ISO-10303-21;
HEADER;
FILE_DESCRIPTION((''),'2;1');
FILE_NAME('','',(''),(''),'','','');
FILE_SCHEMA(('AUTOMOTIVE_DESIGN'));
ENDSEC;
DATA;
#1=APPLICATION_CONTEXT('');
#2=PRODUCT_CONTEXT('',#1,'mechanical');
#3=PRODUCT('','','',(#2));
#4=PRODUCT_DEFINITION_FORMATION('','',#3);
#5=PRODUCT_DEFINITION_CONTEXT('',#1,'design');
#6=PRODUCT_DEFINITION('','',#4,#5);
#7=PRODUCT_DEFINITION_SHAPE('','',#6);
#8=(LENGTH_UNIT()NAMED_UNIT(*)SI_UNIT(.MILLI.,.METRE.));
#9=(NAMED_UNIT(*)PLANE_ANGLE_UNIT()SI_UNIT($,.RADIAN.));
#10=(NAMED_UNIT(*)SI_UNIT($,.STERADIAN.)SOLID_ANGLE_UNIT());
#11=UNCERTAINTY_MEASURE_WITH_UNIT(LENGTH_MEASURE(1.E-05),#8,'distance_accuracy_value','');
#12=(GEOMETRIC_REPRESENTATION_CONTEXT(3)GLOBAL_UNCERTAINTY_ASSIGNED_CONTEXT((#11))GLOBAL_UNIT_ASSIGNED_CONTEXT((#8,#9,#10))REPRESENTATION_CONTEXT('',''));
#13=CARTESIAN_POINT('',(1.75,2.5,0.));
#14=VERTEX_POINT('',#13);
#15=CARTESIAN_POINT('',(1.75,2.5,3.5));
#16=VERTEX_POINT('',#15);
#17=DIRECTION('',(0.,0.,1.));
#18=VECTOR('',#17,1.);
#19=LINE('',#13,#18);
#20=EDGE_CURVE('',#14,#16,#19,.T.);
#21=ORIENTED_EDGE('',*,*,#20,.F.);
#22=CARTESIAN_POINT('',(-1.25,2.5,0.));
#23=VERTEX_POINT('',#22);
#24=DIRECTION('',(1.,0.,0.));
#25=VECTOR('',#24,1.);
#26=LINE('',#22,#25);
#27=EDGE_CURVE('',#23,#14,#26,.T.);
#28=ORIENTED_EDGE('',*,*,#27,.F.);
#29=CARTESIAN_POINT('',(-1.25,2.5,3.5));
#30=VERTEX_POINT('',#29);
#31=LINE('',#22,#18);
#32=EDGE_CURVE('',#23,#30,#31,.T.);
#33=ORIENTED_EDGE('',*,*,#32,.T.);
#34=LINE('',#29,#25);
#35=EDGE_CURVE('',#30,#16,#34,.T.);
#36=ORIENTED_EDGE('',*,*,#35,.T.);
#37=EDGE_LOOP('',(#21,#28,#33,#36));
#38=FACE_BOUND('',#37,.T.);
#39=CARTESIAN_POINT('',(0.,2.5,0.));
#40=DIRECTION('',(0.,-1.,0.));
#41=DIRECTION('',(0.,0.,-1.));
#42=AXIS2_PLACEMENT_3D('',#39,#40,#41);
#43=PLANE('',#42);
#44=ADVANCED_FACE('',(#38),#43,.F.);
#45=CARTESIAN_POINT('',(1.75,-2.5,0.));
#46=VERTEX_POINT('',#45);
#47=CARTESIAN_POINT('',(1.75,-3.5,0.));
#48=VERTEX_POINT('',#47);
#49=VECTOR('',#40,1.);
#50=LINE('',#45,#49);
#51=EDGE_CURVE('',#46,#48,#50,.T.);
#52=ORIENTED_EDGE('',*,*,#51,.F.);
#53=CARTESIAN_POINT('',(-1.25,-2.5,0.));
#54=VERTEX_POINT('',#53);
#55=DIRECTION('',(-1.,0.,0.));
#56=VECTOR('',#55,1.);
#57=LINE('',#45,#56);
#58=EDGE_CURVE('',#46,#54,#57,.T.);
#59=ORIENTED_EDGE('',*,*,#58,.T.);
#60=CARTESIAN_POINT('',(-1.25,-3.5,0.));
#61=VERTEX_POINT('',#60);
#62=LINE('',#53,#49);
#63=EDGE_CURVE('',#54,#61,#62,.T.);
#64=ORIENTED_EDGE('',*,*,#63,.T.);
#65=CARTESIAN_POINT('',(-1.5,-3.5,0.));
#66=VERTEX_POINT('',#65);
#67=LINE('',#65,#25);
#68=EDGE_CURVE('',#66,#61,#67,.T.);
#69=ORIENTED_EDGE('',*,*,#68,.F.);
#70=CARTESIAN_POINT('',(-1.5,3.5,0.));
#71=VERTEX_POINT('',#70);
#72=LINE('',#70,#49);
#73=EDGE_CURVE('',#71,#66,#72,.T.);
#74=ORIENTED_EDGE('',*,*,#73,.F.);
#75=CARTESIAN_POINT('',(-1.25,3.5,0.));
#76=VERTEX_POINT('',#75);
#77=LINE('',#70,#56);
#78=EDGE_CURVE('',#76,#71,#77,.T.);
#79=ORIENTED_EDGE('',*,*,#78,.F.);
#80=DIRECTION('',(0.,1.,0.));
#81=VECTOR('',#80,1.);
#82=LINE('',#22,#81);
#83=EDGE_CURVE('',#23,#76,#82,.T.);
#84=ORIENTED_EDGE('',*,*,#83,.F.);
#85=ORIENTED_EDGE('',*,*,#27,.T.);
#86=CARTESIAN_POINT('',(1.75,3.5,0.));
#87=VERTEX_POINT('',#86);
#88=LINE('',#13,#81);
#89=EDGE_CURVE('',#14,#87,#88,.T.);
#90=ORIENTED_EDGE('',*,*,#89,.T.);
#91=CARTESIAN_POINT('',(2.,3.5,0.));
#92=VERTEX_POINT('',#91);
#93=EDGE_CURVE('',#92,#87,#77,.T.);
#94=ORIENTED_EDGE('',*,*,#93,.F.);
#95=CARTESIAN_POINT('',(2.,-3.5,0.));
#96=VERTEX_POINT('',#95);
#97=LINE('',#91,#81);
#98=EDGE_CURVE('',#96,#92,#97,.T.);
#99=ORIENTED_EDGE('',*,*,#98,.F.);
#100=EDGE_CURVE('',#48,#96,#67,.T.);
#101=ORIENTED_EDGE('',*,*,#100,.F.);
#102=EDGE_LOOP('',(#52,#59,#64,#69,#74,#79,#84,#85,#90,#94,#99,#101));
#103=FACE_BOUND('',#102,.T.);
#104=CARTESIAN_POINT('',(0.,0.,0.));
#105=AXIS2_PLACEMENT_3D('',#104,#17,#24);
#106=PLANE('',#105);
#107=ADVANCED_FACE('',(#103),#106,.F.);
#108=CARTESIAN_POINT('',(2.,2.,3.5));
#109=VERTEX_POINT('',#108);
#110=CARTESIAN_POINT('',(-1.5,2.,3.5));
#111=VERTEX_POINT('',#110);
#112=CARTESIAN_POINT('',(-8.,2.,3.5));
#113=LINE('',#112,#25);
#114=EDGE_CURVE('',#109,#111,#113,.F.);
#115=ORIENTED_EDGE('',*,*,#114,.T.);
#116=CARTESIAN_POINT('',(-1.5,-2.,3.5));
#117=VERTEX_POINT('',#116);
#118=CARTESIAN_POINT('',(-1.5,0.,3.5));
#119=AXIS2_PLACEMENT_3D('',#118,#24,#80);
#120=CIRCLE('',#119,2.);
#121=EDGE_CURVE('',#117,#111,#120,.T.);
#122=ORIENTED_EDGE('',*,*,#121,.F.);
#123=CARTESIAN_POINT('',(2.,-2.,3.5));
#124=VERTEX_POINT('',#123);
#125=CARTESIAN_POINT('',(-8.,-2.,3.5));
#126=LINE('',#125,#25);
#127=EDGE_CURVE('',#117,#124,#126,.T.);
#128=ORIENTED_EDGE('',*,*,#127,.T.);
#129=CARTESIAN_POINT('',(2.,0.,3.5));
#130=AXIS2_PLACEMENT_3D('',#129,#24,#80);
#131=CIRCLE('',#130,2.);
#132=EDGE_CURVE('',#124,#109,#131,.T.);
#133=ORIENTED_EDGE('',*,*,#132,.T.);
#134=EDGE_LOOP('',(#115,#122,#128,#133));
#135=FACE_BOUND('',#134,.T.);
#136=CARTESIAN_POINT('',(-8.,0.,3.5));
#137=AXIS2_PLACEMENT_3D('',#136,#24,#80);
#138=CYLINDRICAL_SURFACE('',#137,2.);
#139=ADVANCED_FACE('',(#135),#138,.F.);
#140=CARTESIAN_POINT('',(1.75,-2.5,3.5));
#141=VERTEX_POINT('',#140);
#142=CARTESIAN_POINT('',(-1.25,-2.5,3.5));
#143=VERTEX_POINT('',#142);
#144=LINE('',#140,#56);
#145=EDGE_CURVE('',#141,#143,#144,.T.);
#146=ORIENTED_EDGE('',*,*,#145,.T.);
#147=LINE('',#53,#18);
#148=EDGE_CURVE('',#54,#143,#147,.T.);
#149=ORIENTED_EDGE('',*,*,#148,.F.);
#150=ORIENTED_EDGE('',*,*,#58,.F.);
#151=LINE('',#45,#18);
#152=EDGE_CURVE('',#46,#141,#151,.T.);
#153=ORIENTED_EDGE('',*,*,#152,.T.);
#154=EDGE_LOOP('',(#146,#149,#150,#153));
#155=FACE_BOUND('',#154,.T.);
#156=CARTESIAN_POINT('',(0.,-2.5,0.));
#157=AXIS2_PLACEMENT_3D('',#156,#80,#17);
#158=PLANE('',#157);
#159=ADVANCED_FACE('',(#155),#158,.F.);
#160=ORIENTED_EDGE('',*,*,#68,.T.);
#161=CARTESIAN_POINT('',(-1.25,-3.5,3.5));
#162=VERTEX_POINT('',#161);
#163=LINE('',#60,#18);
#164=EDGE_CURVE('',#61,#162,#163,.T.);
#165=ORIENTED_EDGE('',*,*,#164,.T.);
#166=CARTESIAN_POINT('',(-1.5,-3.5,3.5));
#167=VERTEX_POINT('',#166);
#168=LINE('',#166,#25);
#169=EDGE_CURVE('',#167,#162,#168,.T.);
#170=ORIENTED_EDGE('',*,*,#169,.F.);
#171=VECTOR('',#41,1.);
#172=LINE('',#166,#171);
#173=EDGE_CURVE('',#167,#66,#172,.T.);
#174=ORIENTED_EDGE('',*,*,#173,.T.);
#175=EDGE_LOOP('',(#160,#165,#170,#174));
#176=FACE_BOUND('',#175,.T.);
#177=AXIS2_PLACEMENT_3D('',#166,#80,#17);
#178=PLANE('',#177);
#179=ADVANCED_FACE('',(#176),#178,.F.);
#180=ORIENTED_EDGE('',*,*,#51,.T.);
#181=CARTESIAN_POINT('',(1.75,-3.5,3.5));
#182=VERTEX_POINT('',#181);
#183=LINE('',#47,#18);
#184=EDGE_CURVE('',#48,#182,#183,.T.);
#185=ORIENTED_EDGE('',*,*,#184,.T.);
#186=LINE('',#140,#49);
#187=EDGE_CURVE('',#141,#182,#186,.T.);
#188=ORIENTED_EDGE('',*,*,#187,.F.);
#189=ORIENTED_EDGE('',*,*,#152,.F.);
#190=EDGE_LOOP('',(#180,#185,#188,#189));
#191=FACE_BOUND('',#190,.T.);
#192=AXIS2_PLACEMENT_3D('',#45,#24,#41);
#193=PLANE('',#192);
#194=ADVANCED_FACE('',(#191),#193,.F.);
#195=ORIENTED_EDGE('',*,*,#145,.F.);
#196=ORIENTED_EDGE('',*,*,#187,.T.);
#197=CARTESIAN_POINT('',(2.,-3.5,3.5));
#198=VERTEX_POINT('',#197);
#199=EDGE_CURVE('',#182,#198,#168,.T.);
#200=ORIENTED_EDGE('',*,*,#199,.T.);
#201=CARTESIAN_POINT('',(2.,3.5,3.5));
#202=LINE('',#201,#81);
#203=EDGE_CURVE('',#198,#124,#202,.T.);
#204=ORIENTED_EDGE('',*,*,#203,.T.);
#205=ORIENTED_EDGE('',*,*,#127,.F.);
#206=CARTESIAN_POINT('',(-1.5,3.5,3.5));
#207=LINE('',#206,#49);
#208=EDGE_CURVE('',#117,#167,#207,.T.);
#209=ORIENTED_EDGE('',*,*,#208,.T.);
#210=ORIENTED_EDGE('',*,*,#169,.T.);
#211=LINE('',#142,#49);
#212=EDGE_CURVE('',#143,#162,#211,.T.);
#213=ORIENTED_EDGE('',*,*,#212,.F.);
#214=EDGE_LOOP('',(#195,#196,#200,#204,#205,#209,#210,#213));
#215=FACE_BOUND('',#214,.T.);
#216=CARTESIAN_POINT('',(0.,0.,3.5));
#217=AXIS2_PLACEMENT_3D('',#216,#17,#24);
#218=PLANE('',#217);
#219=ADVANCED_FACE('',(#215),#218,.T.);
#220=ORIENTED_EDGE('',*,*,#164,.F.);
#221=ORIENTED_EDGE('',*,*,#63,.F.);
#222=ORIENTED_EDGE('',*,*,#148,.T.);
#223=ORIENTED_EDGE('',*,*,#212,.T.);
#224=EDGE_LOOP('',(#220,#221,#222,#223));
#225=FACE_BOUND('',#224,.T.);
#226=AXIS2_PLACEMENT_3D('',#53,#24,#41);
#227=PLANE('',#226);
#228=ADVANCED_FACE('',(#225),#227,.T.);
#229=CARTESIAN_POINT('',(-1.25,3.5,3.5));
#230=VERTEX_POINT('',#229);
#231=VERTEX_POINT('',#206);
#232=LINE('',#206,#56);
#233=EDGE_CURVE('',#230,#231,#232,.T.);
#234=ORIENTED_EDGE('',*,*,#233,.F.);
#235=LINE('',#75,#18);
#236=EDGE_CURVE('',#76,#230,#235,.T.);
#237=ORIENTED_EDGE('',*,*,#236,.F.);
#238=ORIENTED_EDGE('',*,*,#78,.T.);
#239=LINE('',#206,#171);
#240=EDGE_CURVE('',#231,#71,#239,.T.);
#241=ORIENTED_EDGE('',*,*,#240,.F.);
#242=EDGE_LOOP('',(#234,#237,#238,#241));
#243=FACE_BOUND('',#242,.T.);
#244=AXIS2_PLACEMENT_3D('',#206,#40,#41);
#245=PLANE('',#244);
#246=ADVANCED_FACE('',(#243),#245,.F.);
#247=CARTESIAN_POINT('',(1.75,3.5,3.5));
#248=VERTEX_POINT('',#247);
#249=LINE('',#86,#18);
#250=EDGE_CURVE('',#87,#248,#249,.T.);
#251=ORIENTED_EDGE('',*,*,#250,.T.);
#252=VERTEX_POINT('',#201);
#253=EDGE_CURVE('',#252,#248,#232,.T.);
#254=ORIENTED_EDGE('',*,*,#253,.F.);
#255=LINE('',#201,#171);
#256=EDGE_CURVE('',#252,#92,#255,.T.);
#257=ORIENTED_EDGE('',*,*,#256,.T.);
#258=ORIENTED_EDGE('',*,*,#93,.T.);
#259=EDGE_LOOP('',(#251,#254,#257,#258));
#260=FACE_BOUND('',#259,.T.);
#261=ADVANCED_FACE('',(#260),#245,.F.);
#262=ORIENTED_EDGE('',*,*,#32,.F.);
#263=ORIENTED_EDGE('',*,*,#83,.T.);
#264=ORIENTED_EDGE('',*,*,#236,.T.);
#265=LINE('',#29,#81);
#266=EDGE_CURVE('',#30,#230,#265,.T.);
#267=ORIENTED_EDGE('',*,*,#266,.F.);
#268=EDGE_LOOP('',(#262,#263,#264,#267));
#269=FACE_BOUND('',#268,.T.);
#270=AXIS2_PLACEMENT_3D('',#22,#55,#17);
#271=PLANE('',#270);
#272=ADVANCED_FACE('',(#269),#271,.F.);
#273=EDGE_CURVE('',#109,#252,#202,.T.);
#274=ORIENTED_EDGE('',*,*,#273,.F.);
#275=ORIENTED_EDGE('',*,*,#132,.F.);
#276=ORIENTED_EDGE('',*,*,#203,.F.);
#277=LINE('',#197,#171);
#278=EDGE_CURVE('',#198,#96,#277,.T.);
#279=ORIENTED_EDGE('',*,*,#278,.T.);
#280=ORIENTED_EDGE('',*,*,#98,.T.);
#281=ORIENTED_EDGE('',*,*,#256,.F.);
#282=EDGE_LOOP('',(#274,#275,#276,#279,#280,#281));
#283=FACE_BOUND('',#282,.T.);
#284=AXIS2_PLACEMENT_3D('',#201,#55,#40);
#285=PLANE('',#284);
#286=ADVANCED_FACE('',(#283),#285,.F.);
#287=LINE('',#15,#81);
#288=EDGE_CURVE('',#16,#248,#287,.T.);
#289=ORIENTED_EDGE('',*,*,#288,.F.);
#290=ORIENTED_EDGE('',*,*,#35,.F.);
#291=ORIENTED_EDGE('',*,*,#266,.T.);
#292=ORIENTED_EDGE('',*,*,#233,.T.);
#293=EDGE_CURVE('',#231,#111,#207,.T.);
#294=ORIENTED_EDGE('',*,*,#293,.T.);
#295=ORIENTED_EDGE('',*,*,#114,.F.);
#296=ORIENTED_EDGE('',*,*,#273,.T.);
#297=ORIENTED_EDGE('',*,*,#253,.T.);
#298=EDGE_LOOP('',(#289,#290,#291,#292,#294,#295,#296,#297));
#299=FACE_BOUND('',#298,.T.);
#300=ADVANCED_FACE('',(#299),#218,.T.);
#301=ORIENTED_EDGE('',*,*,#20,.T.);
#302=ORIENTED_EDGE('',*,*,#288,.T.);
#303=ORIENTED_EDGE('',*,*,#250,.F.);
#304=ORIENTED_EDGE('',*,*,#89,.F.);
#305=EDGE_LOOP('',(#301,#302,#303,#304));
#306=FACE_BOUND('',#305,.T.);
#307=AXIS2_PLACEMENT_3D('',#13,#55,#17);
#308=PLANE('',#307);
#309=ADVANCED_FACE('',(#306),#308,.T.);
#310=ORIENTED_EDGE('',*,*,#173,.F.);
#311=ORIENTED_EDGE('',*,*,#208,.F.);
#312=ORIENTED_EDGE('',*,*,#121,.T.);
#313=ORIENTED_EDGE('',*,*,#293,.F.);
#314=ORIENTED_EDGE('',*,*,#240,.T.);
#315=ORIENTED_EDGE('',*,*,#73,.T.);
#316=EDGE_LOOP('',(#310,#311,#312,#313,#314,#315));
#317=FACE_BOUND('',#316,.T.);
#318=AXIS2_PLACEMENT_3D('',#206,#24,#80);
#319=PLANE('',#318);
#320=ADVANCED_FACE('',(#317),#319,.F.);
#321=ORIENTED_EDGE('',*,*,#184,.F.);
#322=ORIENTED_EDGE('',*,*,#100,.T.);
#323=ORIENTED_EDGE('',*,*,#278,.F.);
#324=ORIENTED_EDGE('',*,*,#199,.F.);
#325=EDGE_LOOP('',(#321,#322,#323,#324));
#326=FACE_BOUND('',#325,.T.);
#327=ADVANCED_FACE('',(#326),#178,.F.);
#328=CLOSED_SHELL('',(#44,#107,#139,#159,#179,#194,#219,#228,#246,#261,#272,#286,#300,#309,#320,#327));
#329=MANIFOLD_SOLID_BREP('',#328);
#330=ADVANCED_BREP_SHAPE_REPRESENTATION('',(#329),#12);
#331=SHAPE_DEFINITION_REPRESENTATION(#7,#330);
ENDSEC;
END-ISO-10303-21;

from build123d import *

# Parameters (mm, degrees)
ESQUISSE1_W             = 3.5
ESQUISSE1_H             = 7
BOSS_EXTRU_1_DEPTH      = 3.5
ESQUISSE2_W             = 3
ESQUISSE2_H             = 3.5
ENL_V_MAT_EXTRU_1_DEPTH = 1
ESQUISSE3_W             = 3
ESQUISSE3_H             = 3.5
ENL_V_MAT_EXTRU_2_DEPTH = 1
ENL_V_MAT_EXTRU_4_DEPTH = 10


with BuildPart() as part:
    # Esquisse1 → Boss.-Extru.1 (new body)
    with BuildSketch(Plane.XY):
        with Locations((0.25, 0)):
            Rectangle(ESQUISSE1_W, ESQUISSE1_H)
    extrude(amount=BOSS_EXTRU_1_DEPTH)

    # Esquisse2 → Enlèv. mat.-Extru.1 (cut)
    with BuildSketch(Plane(origin=(0, 3.5, 0), x_dir=(1, 0, 0), z_dir=(0, 1, 0))):
        with Locations((0.25, -1.75)):
            Rectangle(ESQUISSE2_W, ESQUISSE2_H)
    extrude(amount=-ENL_V_MAT_EXTRU_1_DEPTH, mode=Mode.SUBTRACT)

    # Esquisse3 → Enlèv. mat.-Extru.2 (cut)
    with BuildSketch(Plane(origin=(0, -3.5, 0), x_dir=(-1, 0, 0), z_dir=(0, -1, 0))):
        with Locations((-0.25, -1.75)):
            Rectangle(ESQUISSE3_W, ESQUISSE3_H)
    extrude(amount=-ENL_V_MAT_EXTRU_2_DEPTH, mode=Mode.SUBTRACT)

    # Esquisse5 → Enlèv. mat.-Extru.4 (cut)
    with BuildSketch(Plane(origin=(2, 0, 0), x_dir=(0, 0, -1), z_dir=(1, 0, 0))):
        with BuildLine():
            Line((-3.5, -2), (-3.5, 2))
            ThreePointArc((-3.5, 2), (-1.5, 0), (-3.5, -2))
        make_face()
    extrude(amount=-ENL_V_MAT_EXTRU_4_DEPTH, mode=Mode.SUBTRACT)


solid = part.part
